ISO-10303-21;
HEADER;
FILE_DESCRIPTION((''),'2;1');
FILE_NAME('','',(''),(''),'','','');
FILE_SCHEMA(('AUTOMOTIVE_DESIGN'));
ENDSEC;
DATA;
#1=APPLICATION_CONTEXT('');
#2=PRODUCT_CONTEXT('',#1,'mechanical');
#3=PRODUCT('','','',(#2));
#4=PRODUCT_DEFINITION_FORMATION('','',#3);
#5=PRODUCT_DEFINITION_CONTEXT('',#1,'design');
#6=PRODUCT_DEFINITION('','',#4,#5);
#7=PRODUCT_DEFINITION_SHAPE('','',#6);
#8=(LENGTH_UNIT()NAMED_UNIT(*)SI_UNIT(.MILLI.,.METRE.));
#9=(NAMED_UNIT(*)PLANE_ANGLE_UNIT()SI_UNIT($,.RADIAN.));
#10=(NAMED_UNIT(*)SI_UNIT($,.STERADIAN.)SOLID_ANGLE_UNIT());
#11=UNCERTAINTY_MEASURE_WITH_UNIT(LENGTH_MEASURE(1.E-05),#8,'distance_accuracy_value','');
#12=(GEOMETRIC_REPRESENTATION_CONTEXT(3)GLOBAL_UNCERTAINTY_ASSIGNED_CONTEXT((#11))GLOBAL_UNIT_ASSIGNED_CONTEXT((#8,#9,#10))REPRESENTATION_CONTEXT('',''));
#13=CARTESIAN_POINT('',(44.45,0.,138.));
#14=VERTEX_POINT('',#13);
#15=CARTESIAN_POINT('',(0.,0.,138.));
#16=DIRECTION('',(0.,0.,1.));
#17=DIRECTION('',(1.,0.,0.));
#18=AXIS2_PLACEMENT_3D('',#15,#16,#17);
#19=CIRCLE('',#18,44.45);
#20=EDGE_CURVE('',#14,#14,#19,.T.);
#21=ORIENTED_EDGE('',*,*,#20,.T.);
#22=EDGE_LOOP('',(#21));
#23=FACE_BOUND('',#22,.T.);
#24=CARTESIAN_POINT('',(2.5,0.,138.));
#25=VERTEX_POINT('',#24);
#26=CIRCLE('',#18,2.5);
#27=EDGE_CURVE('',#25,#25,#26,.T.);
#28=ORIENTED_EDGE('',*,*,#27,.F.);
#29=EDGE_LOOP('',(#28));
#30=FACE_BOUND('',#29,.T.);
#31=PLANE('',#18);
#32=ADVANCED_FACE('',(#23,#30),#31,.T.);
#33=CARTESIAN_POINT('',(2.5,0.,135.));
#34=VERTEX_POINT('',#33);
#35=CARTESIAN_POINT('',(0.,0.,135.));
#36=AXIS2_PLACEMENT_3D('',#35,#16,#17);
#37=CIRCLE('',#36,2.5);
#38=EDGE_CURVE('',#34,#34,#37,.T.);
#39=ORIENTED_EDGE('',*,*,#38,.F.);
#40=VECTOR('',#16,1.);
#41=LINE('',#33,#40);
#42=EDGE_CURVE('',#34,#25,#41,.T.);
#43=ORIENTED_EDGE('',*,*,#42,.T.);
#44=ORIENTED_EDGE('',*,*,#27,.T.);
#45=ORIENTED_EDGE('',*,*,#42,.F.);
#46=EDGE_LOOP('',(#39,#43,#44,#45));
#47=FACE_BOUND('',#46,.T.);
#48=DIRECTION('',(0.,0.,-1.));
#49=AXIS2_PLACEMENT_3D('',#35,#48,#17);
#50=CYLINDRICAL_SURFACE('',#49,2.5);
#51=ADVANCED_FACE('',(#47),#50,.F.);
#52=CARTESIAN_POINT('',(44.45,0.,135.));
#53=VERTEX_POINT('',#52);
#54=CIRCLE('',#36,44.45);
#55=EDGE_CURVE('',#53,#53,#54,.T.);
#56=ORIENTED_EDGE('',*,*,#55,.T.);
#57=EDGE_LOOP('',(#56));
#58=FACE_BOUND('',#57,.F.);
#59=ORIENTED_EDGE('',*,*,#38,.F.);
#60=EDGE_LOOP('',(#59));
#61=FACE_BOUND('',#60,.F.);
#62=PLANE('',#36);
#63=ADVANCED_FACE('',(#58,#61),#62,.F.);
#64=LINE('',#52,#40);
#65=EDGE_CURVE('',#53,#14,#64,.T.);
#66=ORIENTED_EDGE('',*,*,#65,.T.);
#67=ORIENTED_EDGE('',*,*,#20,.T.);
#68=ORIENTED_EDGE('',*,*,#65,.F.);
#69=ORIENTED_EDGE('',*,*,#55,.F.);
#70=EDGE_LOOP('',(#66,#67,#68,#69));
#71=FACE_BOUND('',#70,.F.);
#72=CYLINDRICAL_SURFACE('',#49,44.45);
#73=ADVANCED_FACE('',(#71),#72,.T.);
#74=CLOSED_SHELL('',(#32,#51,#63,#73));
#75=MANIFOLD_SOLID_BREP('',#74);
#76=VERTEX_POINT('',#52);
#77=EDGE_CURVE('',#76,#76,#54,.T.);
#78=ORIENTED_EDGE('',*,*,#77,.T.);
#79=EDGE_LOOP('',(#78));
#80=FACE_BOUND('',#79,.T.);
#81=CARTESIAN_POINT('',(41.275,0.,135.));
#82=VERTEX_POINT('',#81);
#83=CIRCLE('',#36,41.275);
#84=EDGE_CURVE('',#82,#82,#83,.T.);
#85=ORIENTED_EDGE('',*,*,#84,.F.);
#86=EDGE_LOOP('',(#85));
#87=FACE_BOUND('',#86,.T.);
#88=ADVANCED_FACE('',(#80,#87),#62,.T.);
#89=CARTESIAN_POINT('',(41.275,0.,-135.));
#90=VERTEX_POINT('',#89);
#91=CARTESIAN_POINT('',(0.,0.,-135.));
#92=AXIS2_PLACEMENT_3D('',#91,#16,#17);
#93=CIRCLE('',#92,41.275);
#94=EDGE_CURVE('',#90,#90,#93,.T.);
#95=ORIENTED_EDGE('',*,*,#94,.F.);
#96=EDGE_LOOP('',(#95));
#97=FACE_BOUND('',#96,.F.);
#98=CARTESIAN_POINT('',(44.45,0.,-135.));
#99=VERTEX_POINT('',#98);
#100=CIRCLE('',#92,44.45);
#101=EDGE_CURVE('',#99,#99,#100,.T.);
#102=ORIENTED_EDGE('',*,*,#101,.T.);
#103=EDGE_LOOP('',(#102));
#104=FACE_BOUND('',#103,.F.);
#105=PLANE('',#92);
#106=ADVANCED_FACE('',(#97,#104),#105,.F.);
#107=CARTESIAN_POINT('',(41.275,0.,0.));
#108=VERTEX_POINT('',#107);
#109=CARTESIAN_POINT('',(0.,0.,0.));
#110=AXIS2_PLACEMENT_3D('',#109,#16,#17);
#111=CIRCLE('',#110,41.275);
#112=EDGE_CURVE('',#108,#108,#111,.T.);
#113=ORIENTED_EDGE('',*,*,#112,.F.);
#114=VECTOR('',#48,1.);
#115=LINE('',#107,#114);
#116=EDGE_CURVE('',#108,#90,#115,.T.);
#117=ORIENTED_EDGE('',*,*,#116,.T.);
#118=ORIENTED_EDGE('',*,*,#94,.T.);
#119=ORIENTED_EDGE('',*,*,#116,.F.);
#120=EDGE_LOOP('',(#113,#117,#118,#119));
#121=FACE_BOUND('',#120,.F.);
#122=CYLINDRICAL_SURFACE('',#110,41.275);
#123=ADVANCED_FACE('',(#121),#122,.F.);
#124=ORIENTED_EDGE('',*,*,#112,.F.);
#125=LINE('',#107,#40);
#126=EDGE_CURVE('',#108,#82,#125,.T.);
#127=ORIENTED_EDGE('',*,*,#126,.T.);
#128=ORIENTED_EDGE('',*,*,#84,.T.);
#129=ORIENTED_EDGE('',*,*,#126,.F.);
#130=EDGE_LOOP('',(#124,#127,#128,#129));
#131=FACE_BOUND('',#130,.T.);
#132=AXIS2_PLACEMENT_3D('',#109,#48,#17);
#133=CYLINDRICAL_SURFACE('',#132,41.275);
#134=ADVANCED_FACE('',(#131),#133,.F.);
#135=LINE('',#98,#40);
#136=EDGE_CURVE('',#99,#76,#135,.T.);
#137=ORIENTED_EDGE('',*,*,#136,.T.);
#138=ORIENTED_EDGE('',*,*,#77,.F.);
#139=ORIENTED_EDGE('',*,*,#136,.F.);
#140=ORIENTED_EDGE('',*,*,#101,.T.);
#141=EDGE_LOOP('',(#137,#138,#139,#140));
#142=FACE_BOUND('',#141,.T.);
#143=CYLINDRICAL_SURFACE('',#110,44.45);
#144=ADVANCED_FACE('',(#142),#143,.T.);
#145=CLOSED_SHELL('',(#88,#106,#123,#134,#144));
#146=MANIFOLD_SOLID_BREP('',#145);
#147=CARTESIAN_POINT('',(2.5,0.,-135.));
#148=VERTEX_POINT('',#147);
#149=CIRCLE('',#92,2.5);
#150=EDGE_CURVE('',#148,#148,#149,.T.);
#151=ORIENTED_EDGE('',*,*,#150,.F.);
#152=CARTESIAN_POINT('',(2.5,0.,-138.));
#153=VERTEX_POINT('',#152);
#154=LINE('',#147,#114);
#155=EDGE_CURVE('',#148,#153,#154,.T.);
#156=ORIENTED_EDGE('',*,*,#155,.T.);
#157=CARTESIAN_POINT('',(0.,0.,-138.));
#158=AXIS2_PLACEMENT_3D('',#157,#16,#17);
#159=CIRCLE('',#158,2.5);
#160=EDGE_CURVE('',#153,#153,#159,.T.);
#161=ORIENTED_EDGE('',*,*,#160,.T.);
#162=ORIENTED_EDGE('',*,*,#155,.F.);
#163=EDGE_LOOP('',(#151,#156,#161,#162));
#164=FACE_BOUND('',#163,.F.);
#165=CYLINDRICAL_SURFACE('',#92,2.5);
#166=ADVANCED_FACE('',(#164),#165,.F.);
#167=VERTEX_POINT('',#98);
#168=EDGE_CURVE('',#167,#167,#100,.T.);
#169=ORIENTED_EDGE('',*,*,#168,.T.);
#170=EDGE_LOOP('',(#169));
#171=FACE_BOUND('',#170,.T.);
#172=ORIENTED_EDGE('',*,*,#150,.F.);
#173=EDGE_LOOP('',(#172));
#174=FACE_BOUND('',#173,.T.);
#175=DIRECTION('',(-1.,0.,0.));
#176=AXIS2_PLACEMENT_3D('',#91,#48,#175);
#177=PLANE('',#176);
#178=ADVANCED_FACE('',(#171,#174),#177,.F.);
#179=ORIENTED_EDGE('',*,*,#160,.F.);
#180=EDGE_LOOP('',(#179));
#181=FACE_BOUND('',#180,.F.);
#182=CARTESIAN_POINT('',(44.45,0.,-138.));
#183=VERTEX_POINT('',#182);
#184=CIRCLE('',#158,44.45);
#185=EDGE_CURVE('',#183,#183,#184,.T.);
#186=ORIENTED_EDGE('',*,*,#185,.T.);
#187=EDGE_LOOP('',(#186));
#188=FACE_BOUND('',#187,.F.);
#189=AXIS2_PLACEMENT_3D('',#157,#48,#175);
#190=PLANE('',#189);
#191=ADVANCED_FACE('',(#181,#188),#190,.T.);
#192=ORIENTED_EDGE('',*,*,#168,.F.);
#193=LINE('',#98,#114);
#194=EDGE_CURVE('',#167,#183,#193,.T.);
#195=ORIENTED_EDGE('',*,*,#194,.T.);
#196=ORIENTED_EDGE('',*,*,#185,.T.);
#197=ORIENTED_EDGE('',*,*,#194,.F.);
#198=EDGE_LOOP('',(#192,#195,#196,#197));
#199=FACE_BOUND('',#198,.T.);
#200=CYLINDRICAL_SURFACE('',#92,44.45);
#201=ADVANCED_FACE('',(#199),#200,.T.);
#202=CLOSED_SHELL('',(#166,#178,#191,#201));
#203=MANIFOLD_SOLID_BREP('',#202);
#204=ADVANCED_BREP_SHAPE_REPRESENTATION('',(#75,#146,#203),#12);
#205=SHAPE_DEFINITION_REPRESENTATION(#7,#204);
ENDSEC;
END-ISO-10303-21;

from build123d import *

# Parameters (mm, degrees)
F1_R          = 44.45
F1_R_2        = 41.275
F2_DEPTH      = 135
F2_DEPTH_BACK = 135
F3_R          = 44.45
F3_R_2        = 2.5
F4_DEPTH      = 3


with BuildPart() as f2:
    # F1 (on Top) → F2 (new body, two sides)
    with BuildSketch(Plane.XY) as f2_sk:
        Circle(F1_R)
        Circle(F1_R_2, mode=Mode.SUBTRACT)
    extrude(amount=F2_DEPTH)
    extrude(f2_sk.sketch, amount=-F2_DEPTH_BACK)


with BuildPart() as f4:
    # F3 (on face) → F4 (new body)
    with BuildSketch(Plane.XY.offset(135)):
        Circle(F3_R)
        Circle(F3_R_2, mode=Mode.SUBTRACT)
    extrude(amount=F4_DEPTH)


with BuildPart() as f5_1:
    # F5: instance of F4
    add(f4.part.mirror(Plane.XY))


solid = Compound([f2.part, f4.part, f5_1.part])
